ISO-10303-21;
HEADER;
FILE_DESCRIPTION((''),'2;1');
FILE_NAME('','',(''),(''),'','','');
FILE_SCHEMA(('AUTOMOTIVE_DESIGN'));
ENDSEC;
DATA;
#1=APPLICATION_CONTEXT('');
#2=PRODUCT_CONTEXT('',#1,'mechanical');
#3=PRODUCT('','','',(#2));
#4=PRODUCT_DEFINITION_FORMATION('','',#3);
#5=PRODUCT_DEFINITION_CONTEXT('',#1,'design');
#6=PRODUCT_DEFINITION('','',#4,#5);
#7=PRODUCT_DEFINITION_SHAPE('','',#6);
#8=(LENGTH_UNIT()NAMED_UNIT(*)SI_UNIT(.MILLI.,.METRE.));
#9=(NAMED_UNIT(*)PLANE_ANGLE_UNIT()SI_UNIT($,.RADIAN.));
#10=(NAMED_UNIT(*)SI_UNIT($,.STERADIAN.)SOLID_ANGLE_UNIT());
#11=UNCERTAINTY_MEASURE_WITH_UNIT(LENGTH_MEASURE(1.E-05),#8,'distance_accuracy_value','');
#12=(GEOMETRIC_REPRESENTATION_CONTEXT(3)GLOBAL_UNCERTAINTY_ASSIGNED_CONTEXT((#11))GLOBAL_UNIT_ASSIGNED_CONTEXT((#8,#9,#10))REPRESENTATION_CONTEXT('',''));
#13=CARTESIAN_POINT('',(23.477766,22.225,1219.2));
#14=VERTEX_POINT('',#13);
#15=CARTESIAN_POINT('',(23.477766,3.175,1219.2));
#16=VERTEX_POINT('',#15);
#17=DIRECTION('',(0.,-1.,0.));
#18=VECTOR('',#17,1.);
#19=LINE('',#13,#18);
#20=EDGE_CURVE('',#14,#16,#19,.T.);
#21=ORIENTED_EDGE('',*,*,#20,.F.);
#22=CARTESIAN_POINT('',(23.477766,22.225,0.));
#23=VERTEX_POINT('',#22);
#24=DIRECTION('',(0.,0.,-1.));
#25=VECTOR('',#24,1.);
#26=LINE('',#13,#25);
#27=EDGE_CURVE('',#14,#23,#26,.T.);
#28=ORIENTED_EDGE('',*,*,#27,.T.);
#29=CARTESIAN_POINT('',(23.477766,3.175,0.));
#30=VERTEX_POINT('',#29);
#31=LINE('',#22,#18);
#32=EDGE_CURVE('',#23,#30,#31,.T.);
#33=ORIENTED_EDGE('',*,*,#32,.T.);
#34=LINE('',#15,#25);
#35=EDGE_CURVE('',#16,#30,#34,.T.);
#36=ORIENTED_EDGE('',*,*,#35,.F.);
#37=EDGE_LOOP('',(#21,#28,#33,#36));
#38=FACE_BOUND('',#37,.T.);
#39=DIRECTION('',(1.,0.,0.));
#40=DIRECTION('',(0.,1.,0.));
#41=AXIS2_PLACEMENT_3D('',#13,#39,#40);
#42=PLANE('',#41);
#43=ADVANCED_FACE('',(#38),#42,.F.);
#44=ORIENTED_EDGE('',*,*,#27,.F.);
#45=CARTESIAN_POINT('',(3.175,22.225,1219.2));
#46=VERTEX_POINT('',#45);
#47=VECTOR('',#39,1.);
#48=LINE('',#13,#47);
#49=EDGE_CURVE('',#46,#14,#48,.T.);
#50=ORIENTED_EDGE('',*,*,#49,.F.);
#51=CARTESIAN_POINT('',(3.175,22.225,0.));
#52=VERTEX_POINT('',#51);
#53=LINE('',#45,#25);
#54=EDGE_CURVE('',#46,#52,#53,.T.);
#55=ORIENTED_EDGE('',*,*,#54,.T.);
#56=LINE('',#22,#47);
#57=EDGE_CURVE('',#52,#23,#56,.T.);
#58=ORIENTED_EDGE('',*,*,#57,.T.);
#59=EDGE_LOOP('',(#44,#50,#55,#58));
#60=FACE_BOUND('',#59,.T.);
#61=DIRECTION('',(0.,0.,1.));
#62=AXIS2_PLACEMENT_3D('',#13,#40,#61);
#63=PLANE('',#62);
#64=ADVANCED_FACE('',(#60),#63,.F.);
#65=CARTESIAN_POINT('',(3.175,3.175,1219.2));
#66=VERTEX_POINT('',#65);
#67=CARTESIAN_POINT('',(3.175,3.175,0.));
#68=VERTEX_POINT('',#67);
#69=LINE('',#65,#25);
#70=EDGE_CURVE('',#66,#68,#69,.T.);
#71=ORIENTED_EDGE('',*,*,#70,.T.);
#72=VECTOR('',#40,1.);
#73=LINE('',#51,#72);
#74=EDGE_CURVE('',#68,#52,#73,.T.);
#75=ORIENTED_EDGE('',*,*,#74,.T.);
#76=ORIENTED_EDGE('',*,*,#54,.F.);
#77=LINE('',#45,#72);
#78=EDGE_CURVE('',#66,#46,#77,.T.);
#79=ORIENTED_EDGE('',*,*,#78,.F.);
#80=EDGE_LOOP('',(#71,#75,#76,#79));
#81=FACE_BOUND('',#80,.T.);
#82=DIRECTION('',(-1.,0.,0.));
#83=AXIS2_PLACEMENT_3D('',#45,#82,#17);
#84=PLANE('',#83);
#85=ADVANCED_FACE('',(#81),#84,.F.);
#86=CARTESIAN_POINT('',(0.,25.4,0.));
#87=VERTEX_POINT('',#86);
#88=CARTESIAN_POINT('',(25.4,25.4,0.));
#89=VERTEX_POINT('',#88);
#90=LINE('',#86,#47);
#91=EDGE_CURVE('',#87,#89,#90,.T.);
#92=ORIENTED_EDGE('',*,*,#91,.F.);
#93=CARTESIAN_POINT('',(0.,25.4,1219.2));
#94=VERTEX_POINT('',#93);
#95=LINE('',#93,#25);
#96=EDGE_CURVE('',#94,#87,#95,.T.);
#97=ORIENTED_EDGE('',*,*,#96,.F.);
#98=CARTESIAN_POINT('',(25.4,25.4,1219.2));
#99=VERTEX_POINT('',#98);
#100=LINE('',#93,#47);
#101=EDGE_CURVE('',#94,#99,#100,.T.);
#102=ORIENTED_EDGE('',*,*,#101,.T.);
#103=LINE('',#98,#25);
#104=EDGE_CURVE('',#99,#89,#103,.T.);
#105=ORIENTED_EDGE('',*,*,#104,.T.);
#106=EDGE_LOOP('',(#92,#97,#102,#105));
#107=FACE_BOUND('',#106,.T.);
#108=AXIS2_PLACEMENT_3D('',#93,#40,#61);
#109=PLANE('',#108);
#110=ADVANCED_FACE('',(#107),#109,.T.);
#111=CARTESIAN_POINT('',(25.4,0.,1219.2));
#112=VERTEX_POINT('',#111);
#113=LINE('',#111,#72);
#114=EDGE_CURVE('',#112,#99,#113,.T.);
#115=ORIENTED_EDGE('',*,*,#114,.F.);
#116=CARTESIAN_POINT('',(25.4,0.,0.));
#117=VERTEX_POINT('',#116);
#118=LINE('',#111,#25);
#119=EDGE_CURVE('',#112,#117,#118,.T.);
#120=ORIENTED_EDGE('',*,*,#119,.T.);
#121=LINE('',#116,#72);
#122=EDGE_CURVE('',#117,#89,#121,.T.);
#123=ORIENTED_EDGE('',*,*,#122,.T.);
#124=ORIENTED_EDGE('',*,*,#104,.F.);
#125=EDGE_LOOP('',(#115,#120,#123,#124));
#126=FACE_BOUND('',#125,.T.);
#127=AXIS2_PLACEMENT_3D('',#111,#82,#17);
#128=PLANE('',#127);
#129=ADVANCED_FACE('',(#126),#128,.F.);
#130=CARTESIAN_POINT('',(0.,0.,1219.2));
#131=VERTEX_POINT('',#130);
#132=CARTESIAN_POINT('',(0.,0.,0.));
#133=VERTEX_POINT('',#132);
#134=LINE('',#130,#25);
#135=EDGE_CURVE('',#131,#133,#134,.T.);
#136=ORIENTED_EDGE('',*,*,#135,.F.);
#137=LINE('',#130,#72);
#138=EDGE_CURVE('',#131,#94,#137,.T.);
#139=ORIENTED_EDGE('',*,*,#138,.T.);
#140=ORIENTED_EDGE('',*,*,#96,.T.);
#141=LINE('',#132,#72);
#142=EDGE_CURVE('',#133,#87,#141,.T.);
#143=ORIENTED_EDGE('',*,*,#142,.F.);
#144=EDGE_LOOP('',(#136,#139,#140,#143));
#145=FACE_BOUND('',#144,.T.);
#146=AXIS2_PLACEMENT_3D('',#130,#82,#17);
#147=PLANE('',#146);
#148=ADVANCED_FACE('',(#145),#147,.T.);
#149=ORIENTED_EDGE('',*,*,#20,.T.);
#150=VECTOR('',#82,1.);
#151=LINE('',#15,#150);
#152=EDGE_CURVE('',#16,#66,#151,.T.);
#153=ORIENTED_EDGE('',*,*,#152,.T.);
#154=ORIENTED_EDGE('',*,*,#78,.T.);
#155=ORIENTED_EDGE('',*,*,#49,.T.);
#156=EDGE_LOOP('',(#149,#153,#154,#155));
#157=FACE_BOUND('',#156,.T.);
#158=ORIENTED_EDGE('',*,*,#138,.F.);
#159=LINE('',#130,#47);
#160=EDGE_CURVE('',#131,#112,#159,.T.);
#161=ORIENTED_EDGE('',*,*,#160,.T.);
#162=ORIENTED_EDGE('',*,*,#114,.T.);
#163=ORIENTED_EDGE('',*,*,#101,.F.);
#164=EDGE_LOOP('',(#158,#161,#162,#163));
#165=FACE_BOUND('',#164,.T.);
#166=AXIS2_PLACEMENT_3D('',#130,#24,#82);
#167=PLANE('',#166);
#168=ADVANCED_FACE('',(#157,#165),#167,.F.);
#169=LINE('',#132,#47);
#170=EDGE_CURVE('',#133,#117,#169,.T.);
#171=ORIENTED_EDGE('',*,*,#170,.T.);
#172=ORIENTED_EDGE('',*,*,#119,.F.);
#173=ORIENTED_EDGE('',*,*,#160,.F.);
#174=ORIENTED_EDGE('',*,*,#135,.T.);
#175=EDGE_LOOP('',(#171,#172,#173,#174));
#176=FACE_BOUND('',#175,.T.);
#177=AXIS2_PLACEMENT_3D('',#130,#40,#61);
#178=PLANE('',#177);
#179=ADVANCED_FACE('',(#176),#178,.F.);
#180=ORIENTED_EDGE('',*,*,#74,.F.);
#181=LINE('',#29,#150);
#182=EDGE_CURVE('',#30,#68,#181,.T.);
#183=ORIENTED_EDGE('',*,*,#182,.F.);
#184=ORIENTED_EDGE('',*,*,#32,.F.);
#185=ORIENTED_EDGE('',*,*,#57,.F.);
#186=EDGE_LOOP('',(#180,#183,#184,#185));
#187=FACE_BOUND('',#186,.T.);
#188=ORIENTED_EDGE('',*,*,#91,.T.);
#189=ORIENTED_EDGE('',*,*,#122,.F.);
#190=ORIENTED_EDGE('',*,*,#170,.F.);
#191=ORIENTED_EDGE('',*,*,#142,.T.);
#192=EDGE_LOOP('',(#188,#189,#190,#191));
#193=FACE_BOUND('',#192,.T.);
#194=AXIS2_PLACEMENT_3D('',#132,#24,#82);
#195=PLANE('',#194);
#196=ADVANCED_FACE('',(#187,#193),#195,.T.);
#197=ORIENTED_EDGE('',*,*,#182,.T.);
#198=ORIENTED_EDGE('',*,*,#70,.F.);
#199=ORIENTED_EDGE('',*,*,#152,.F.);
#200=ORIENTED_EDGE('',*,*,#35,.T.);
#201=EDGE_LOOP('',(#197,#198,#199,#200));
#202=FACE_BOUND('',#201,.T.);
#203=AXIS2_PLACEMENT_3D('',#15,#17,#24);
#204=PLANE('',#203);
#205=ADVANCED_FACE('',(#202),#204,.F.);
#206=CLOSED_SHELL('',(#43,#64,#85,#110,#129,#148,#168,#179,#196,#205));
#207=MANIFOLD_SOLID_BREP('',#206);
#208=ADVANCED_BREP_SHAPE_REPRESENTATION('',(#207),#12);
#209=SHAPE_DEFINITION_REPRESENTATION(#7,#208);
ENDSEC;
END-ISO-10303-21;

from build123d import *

# Parameters (mm, degrees)
SKETCH1_W           = 25.4
SKETCH1_H           = 25.4
BOSS_EXTRUDE2_DEPTH = 1219.2
SKETCH2_W           = 20.302766191
SKETCH2_H           = 19.05
CUT_EXTRUDE1_DEPTH  = 1220.72905188


with BuildPart() as part:
    # Sketch1 → Boss-Extrude2 (new body)
    with BuildSketch(Plane.XY):
        with Locations((12.7, 12.7)):
            Rectangle(SKETCH1_W, SKETCH1_H)
    extrude(amount=BOSS_EXTRUDE2_DEPTH)

    # Sketch2 → Cut-Extrude1 (cut, through all)
    with BuildSketch(Plane(origin=(0, 0, 0), x_dir=(-1, 0, 0), z_dir=(0, 0, -1))):
        with Locations((-13.326383096, 12.7)):
            Rectangle(SKETCH2_W, SKETCH2_H)
    extrude(amount=-CUT_EXTRUDE1_DEPTH, mode=Mode.SUBTRACT)


solid = part.part
